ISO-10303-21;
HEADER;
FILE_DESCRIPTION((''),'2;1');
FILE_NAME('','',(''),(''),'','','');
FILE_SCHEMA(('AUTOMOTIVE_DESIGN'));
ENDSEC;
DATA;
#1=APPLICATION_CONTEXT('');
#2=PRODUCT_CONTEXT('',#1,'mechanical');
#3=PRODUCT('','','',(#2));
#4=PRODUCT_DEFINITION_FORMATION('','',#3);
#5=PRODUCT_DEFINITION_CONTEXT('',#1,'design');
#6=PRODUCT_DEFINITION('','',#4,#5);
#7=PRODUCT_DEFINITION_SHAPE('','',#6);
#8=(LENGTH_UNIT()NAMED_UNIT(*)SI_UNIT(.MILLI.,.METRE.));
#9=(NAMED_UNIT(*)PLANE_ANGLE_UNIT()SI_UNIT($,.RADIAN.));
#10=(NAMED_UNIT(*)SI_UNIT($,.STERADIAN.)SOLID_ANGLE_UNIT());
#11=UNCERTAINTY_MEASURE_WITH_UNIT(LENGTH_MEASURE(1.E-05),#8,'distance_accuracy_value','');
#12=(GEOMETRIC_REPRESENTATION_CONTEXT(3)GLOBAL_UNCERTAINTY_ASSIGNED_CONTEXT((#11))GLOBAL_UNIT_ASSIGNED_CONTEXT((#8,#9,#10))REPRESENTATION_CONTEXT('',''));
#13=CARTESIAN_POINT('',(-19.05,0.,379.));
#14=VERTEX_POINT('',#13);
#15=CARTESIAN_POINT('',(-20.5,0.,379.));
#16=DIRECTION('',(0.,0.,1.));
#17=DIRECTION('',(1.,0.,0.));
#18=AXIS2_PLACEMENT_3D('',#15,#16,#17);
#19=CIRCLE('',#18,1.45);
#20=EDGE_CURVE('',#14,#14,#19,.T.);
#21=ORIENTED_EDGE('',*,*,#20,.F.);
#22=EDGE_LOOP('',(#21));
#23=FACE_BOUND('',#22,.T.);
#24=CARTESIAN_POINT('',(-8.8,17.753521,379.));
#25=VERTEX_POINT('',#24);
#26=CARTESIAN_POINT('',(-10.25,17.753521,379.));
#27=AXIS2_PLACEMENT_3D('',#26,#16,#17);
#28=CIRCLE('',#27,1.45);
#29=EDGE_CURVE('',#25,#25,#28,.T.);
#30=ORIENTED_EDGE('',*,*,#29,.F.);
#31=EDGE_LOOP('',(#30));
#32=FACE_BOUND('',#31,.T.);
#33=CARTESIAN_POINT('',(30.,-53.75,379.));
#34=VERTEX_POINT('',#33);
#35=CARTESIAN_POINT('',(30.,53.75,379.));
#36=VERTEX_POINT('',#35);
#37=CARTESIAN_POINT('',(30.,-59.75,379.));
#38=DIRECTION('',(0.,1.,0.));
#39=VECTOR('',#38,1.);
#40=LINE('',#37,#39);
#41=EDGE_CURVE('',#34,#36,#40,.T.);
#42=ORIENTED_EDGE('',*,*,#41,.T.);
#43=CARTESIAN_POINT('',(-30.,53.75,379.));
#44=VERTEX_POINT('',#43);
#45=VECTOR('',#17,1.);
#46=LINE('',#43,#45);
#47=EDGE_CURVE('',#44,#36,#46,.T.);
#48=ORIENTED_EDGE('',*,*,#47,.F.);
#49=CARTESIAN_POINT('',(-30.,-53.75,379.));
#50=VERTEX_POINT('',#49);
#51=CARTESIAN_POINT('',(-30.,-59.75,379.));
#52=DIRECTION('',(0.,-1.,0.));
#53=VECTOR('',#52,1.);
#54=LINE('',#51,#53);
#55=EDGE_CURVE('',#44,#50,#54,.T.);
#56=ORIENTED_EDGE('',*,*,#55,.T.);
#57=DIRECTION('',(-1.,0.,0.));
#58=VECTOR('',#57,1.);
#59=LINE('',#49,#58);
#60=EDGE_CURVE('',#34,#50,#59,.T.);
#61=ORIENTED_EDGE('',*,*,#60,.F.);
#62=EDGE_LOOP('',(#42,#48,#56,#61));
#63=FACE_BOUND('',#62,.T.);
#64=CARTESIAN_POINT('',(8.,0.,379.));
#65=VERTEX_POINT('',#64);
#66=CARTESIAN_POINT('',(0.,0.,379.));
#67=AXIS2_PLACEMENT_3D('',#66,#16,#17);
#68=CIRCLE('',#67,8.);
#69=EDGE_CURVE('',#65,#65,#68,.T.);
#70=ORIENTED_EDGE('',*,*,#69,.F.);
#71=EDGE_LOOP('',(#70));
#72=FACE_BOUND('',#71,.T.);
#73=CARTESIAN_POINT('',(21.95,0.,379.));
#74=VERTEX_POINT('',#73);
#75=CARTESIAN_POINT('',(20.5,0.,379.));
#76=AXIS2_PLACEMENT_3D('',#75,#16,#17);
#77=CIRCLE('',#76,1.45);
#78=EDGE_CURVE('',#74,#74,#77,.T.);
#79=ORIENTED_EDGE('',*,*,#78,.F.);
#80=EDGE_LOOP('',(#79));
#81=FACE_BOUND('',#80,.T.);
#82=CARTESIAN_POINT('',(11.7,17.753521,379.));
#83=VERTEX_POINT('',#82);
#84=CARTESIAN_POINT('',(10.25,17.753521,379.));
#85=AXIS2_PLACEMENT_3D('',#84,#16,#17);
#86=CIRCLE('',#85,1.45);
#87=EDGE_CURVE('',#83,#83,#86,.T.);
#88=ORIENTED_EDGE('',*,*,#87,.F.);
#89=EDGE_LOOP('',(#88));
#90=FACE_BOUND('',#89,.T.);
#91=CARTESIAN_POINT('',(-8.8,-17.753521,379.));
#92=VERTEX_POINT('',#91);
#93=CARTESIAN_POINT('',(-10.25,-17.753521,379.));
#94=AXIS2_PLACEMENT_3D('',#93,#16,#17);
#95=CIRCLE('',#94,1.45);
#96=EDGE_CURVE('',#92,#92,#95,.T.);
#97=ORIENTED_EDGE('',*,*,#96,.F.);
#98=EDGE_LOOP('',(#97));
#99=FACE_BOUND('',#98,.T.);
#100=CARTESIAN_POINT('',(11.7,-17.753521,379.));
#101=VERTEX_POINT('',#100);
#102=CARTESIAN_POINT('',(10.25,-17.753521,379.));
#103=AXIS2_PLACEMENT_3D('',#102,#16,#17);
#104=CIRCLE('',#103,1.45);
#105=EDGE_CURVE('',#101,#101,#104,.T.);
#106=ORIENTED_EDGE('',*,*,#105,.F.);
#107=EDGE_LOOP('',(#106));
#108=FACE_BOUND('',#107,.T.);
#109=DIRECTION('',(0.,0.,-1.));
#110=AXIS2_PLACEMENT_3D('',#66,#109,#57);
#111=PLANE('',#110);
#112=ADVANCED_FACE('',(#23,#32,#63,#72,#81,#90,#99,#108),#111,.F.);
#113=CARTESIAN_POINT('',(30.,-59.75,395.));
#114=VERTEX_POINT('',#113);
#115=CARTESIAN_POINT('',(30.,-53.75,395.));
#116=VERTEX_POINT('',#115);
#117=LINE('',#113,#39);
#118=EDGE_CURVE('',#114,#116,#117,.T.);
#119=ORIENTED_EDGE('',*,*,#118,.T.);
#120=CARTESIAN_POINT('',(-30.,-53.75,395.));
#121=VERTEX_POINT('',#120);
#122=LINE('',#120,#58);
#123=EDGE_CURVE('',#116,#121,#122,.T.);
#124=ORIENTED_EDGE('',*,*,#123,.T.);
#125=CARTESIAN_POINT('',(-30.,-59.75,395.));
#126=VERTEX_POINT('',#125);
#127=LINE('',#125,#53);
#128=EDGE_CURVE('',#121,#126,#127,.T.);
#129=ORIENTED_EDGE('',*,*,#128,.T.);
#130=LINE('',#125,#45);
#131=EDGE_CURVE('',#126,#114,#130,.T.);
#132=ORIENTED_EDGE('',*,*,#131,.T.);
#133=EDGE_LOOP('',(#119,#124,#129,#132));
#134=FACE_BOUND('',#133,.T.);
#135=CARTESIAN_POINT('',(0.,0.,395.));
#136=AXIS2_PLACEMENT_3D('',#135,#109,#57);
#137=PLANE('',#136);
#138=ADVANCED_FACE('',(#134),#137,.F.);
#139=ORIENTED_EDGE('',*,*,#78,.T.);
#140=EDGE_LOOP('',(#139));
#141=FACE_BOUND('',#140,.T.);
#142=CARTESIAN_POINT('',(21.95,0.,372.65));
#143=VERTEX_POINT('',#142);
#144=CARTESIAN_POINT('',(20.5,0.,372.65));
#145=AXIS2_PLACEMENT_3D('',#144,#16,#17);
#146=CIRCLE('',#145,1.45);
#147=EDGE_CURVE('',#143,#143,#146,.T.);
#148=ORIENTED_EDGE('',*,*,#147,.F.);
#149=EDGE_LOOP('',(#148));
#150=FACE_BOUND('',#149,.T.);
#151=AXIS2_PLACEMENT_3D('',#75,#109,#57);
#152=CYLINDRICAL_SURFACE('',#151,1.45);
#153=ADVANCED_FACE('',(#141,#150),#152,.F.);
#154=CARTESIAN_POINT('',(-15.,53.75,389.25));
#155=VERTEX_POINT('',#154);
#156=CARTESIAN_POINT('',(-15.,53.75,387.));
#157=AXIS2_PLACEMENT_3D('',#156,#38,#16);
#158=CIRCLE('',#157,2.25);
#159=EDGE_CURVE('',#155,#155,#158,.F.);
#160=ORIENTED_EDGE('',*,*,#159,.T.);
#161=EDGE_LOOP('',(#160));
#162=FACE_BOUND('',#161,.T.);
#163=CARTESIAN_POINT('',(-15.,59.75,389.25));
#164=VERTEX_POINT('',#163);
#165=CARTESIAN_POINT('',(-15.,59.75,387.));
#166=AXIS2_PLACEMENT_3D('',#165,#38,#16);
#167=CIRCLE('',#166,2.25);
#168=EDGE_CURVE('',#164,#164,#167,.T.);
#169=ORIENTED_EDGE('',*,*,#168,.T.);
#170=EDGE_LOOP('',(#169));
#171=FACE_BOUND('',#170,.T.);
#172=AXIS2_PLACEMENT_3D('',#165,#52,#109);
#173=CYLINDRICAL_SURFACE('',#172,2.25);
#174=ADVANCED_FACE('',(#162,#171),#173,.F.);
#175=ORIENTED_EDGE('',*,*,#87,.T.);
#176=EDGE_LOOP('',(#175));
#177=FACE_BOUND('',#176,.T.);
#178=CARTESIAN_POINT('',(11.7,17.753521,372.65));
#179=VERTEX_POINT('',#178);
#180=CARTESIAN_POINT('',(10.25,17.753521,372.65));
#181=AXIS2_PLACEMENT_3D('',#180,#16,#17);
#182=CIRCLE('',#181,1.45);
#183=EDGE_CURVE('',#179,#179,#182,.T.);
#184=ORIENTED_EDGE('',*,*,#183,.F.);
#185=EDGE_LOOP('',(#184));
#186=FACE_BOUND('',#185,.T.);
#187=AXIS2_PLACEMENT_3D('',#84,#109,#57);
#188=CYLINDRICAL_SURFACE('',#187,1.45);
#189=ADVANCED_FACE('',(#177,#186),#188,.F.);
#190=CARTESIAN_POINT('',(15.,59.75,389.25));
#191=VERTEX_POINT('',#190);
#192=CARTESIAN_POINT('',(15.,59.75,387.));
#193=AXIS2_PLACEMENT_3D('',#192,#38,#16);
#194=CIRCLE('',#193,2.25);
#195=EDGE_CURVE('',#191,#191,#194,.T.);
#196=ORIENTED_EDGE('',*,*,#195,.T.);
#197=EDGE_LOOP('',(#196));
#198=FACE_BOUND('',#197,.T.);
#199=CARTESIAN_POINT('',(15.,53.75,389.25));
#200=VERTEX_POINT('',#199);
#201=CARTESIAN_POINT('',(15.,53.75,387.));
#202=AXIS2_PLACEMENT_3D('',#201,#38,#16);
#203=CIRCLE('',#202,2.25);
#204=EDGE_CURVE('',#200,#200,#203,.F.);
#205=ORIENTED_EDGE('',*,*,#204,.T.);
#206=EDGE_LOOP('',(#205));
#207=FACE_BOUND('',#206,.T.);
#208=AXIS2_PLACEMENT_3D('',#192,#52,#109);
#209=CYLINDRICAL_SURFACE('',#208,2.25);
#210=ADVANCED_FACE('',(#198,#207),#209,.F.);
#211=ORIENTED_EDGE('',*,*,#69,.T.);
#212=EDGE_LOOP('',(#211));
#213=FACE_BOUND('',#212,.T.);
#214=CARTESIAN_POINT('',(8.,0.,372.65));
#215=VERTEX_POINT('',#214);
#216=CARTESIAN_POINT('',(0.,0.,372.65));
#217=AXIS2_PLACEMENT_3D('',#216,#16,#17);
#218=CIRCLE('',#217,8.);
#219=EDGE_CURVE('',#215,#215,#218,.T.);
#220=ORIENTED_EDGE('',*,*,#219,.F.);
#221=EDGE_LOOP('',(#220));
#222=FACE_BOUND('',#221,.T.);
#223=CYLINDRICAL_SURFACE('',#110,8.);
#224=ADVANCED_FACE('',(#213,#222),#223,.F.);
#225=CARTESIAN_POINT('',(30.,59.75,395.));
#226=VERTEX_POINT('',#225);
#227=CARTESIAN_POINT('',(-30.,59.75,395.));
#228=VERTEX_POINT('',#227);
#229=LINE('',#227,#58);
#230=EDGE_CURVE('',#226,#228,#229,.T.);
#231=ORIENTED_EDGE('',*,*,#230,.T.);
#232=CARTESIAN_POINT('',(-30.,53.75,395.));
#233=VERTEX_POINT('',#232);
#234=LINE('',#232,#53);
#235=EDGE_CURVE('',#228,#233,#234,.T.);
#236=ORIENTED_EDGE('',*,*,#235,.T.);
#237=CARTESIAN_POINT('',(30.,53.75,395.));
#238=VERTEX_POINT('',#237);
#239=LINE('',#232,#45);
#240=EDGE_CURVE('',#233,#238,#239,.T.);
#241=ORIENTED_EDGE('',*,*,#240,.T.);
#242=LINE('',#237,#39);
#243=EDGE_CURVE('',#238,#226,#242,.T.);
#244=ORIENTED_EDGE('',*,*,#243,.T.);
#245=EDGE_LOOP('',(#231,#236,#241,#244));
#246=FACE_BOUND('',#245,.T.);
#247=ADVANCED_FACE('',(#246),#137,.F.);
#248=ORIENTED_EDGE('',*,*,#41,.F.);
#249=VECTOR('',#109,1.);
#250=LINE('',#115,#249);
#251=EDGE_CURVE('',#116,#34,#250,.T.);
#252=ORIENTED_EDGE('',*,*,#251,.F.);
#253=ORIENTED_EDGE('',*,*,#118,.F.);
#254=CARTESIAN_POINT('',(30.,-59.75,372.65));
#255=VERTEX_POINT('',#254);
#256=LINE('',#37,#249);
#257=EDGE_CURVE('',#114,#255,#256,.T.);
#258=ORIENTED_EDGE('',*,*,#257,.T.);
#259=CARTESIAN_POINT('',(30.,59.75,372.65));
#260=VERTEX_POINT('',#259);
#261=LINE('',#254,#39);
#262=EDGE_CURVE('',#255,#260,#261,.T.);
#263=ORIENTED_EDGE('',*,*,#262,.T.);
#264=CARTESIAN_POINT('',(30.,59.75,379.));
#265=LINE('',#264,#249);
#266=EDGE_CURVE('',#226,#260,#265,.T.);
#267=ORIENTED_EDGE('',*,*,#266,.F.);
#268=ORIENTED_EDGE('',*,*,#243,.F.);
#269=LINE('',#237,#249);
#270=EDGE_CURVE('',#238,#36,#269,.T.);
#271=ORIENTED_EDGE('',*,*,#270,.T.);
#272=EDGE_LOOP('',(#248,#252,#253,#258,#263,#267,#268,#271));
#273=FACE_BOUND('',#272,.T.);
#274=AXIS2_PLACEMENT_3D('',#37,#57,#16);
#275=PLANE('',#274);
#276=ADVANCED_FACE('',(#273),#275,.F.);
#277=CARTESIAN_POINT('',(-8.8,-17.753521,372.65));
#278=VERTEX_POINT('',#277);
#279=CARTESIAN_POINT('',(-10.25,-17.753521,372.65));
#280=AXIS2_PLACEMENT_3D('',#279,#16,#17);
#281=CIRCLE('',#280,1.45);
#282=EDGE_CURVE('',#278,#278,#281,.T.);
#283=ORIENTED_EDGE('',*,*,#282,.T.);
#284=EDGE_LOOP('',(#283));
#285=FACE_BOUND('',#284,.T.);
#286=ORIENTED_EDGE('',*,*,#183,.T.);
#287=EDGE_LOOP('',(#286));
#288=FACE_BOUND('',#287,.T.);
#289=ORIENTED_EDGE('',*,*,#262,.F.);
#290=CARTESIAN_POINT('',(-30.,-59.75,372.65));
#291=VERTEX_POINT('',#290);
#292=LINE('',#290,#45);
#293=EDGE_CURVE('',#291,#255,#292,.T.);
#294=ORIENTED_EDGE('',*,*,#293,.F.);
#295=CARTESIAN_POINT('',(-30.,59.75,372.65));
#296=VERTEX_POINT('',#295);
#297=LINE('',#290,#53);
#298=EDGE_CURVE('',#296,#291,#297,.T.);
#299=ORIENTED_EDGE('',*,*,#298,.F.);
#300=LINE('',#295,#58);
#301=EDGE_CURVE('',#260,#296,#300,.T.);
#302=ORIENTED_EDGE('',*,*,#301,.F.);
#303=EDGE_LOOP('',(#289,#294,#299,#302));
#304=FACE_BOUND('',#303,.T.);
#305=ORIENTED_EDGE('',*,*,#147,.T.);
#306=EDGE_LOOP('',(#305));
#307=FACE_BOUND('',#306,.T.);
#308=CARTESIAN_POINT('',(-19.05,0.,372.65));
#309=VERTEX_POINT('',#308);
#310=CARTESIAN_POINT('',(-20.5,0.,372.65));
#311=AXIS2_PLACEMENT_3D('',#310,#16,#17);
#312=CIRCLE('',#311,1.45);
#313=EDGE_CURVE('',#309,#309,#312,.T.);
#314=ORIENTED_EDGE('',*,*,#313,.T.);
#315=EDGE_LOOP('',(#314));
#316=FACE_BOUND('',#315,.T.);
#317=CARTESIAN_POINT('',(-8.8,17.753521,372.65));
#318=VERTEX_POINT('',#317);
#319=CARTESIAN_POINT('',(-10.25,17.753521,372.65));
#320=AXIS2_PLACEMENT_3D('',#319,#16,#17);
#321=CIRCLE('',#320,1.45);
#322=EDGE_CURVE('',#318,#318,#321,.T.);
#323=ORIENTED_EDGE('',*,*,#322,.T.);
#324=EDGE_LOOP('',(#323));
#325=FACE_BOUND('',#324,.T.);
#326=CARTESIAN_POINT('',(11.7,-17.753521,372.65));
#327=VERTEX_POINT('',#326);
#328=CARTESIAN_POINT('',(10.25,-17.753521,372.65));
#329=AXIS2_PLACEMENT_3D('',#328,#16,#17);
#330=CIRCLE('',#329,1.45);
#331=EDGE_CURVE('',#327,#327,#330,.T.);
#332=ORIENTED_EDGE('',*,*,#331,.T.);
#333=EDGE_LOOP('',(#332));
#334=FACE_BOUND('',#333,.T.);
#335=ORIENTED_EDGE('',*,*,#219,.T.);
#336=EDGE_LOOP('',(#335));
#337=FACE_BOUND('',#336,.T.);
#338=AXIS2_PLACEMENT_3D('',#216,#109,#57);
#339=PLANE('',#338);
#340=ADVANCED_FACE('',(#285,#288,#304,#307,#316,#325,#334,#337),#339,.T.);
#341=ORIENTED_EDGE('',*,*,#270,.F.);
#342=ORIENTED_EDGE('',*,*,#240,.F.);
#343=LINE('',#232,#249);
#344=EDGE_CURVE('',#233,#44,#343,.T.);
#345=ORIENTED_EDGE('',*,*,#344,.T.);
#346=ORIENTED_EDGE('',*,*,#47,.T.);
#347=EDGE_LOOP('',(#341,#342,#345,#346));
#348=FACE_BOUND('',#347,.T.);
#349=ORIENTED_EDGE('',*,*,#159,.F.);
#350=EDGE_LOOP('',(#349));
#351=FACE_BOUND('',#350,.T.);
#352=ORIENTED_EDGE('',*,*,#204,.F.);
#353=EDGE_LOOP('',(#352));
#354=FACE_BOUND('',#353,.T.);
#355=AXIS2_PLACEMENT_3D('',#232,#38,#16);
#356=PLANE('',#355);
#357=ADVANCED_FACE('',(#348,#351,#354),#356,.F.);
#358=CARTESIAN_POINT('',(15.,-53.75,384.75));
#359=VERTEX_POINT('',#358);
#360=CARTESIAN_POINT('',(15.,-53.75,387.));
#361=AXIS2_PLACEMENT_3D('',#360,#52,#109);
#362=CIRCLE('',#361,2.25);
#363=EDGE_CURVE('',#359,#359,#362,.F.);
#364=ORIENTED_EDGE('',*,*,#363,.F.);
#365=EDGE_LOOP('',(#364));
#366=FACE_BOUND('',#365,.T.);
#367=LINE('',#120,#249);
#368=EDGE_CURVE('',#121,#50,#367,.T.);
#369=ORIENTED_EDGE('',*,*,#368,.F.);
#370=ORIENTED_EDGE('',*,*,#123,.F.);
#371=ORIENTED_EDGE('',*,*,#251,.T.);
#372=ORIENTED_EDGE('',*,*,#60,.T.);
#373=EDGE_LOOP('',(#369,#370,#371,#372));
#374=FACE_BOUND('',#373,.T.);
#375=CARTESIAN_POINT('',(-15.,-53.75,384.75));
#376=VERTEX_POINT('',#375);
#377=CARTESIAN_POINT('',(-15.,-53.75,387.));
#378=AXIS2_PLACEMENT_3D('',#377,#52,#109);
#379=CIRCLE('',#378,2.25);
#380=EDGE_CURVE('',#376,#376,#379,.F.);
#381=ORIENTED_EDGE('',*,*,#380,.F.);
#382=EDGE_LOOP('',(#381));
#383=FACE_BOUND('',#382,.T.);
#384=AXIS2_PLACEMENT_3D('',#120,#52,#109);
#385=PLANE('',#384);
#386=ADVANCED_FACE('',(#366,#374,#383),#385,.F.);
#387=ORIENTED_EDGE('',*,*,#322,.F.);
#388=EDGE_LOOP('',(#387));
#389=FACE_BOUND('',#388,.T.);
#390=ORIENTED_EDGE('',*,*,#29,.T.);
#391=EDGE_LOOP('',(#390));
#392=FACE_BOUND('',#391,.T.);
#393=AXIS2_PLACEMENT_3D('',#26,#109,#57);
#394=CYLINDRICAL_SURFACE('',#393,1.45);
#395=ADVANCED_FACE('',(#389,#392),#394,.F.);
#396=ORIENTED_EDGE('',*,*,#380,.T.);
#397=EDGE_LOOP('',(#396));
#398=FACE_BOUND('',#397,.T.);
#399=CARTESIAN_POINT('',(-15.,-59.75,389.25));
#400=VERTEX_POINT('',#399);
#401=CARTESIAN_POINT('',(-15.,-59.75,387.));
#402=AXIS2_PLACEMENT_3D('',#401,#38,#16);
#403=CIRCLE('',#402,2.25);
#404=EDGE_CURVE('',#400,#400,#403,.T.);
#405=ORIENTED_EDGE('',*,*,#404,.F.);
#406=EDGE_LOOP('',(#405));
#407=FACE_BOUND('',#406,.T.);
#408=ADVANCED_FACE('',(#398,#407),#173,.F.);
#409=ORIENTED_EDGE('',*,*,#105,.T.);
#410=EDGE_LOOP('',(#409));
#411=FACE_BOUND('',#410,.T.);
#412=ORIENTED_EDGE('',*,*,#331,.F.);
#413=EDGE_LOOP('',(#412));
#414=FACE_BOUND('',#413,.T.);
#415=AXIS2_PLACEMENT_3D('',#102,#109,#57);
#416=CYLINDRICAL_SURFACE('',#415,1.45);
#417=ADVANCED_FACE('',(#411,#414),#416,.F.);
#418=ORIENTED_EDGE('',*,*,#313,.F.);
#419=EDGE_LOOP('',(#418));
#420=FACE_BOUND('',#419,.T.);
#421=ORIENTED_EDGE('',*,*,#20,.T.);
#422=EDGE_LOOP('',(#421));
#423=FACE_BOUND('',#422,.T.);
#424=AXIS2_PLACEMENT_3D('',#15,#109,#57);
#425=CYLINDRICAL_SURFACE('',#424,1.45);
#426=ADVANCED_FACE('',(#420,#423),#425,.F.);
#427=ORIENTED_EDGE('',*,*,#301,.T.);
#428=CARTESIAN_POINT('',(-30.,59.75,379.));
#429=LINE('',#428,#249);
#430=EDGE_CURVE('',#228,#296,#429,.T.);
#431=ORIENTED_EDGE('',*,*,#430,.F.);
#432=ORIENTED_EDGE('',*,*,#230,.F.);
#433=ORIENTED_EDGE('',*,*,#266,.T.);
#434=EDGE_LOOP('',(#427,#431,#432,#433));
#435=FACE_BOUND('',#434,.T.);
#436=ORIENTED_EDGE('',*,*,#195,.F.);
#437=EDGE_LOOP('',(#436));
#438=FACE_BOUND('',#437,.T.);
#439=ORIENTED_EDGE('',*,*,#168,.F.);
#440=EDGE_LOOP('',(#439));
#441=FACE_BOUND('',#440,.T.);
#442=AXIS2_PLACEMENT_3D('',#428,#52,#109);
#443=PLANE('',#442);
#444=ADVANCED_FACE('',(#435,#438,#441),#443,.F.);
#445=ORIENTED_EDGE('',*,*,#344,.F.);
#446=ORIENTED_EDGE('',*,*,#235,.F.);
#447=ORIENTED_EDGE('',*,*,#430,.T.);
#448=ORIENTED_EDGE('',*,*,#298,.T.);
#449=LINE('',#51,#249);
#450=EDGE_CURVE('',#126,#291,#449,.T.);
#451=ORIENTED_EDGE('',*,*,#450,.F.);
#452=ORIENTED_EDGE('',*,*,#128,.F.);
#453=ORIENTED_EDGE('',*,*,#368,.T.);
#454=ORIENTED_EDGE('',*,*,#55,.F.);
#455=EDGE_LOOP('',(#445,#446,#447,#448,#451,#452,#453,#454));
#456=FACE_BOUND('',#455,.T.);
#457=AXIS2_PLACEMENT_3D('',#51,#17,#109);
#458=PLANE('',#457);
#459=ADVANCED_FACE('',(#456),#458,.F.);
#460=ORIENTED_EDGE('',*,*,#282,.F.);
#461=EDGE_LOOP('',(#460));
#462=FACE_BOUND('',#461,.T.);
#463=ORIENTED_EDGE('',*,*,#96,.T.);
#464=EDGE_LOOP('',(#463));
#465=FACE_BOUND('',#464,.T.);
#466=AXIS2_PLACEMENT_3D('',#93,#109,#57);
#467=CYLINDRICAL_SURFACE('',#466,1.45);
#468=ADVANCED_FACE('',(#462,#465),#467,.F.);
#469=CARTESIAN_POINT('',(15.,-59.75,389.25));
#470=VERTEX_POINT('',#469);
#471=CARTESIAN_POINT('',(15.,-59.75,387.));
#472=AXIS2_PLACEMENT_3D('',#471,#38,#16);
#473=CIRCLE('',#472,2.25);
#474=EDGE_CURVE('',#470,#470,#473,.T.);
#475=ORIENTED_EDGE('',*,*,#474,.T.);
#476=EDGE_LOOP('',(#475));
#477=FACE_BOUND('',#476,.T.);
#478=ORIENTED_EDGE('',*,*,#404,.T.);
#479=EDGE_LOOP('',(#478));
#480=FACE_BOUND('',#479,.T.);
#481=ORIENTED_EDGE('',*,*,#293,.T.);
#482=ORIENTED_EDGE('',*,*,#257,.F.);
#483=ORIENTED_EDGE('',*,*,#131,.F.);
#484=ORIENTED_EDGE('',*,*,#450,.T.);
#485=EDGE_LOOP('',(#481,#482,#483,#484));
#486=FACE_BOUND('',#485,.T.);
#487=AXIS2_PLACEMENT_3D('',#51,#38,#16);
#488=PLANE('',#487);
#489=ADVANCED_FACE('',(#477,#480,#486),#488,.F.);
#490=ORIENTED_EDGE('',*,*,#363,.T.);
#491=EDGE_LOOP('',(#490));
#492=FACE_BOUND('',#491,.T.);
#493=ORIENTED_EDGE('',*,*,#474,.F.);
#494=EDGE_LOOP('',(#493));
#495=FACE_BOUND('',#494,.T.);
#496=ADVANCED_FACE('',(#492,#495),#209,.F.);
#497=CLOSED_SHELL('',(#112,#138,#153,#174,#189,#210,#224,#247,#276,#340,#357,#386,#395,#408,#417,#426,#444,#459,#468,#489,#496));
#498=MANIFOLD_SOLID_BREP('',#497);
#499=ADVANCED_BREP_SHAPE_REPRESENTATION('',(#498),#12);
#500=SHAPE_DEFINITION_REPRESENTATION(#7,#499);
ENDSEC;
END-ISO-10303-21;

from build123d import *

# Parameters (mm, degrees)
REPISA_START                   = 372.65
SK_REPISA_W                    = 60
SK_REPISA_H                    = 119.5
REPISA_DEPTH                   = 6.35
CENTRO_MOTOR_START             = 372.65
SK_CENTRO_MOTOR_R              = 8
CENTRO_MOTOR_DEPTH             = 6.35
PASANTES_M2_5_ESTATOR_J4_START = 372.65
SK_PASANTES_M2_5_ESTATOR_J4_R  = 1.45
PASANTES_M2_5_ESTATOR_J4_DEPTH = 6.35
PESTANAS_START                 = 379
SK_PESTANAS_W                  = 60
SK_PESTANAS_H                  = 6
PESTANAS_DEPTH                 = 16
PASANTES_M4_PESTANAS_START     = -59.75
SK_PASANTES_M4_PESTANAS_R      = 2.25
PASANTES_M4_PESTANAS_DEPTH     = 119.5


with BuildPart() as part:
    # Sk_Repisa → Repisa (new body)
    with BuildSketch(Plane.XY.offset(REPISA_START)):
        Rectangle(SK_REPISA_W, SK_REPISA_H)
    extrude(amount=REPISA_DEPTH)

    # Sk_Centro_motor → Centro_motor (cut)
    with BuildSketch(Plane.XY.offset(CENTRO_MOTOR_START)):
        Circle(SK_CENTRO_MOTOR_R)
    extrude(amount=CENTRO_MOTOR_DEPTH, mode=Mode.SUBTRACT)

    # Sk_Pasantes_M2-5_estator_J4 → Pasantes_M2-5_estator_J4 (cut)
    with BuildSketch(Plane.XY.offset(PASANTES_M2_5_ESTATOR_J4_START)):
        with Locations((20.5, 0)):
            Circle(SK_PASANTES_M2_5_ESTATOR_J4_R)
        with Locations((10.25, 17.753520778)):
            Circle(SK_PASANTES_M2_5_ESTATOR_J4_R)
        with Locations((-10.25, 17.753520778)):
            Circle(SK_PASANTES_M2_5_ESTATOR_J4_R)
        with Locations((-20.5, 0)):
            Circle(SK_PASANTES_M2_5_ESTATOR_J4_R)
        with Locations((-10.25, -17.753520778)):
            Circle(SK_PASANTES_M2_5_ESTATOR_J4_R)
        with Locations((10.25, -17.753520778)):
            Circle(SK_PASANTES_M2_5_ESTATOR_J4_R)
    extrude(amount=PASANTES_M2_5_ESTATOR_J4_DEPTH, mode=Mode.SUBTRACT)

    # Sk_Pestanas → Pestanas (add)
    with BuildSketch(Plane.XY.offset(PESTANAS_START)):
        with Locations((0, 56.75)):
            Rectangle(SK_PESTANAS_W, SK_PESTANAS_H)
        with Locations((0, -56.75)):
            Rectangle(SK_PESTANAS_W, SK_PESTANAS_H)
    extrude(amount=PESTANAS_DEPTH)

    # Sk_Pasantes_M4_pestanas → Pasantes_M4_pestanas (cut)
    with BuildSketch(Plane(origin=(0, 0, 0), x_dir=(1, 0, 0), z_dir=(0, 1, 0)).offset(PASANTES_M4_PESTANAS_START)):
        with Locations(Location((-15, -387, 0), (0, 0, 270))):
            Circle(SK_PASANTES_M4_PESTANAS_R)
        with Locations(Location((15, -387, 0), (0, 0, 270))):
            Circle(SK_PASANTES_M4_PESTANAS_R)
    extrude(amount=PASANTES_M4_PESTANAS_DEPTH, mode=Mode.SUBTRACT)


solid = part.part
